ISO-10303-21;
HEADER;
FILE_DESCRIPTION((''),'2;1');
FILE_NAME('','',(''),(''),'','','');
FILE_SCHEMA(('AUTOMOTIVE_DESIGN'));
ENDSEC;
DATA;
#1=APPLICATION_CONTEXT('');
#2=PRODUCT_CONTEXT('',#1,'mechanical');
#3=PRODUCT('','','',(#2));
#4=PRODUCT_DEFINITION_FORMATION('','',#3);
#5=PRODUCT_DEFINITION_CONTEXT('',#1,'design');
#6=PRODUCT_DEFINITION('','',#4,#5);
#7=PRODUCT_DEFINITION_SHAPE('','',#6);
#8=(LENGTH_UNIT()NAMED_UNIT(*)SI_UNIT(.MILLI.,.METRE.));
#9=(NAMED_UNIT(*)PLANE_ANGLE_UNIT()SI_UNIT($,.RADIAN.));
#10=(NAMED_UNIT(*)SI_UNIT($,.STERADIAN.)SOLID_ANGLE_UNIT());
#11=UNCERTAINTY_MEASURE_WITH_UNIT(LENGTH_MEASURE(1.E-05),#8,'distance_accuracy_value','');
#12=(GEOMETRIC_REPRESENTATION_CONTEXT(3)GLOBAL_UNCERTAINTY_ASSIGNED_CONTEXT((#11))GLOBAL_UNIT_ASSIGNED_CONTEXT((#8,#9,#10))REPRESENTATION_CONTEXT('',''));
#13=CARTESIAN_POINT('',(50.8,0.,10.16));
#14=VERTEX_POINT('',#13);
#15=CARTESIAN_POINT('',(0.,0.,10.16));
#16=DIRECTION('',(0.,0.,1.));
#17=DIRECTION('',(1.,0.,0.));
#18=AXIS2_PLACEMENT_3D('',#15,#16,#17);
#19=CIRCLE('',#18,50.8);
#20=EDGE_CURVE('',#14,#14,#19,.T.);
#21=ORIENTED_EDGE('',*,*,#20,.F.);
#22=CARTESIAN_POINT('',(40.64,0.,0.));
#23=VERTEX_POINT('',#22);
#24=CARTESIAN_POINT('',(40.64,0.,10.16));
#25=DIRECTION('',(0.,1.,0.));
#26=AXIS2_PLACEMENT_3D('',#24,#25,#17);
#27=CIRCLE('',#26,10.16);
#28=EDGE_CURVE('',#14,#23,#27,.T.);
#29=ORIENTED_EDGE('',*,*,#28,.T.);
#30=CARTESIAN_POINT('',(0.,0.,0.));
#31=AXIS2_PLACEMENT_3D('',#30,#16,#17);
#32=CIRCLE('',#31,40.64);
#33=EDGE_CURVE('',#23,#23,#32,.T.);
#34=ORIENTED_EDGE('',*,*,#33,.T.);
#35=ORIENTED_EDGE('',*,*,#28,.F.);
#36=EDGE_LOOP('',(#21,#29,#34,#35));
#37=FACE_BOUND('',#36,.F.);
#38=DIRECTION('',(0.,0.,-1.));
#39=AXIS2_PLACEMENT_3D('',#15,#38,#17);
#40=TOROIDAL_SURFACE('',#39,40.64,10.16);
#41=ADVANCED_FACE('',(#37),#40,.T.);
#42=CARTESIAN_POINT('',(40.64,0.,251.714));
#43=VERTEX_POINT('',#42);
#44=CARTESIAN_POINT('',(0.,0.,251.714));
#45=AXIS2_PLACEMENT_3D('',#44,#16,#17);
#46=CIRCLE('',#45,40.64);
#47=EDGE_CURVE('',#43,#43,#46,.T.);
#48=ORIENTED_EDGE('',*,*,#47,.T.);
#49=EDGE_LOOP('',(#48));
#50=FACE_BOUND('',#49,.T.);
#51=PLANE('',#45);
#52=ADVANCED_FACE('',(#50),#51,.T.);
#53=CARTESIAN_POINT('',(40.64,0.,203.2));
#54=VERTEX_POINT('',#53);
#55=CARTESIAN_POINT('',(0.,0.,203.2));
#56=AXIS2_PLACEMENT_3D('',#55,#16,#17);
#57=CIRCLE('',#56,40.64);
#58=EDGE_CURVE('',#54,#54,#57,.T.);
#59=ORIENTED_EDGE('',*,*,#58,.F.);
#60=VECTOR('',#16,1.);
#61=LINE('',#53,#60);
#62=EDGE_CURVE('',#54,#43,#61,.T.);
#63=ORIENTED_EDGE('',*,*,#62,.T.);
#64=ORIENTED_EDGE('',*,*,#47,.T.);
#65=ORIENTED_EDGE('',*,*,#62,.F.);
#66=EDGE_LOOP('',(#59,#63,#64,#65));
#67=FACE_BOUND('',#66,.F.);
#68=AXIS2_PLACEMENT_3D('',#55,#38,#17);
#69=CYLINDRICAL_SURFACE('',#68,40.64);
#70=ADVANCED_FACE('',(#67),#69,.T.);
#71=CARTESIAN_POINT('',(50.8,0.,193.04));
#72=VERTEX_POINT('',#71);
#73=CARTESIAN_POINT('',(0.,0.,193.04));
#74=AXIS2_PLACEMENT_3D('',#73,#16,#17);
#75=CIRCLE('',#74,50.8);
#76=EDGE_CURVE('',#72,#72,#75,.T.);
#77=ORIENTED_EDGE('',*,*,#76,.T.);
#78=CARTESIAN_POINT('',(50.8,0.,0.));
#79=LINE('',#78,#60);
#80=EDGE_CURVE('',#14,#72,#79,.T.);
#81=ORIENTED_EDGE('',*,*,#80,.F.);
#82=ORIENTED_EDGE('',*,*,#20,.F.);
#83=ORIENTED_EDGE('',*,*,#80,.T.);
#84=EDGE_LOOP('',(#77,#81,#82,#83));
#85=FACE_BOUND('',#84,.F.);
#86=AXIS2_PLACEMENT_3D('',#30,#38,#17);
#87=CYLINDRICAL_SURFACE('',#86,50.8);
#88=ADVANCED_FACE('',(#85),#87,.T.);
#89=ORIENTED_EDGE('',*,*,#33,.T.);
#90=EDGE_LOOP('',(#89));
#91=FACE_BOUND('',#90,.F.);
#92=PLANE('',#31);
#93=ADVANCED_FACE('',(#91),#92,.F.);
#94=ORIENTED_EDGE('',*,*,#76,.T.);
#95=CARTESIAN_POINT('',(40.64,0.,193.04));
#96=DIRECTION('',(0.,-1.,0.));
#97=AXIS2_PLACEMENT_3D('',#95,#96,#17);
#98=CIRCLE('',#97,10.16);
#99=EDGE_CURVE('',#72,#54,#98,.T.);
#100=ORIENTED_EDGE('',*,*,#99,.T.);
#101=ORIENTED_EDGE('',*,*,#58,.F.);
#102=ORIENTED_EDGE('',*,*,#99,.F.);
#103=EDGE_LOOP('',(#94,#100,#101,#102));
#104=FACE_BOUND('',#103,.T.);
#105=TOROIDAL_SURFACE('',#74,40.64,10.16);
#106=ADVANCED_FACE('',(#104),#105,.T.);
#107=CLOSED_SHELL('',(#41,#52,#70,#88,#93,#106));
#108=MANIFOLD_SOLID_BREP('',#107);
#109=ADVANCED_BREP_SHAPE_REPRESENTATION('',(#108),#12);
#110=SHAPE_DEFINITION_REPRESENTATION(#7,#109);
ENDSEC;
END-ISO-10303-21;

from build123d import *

# Parameters (mm, degrees)
F0_R      = 50.8
F1_DEPTH  = 203.2
F2_R      = 10.16
F1_FACE_R = 40.64
F3_DEPTH  = 48.514


with BuildPart() as f1:
    # F0 (on Top) → F1 (new body)
    with BuildSketch(Plane.XY):
        Circle(F0_R)
    extrude(amount=F1_DEPTH)

    # F2
    f2_edges = [f1.edges().sort_by_distance(p)[0] for p in [
        (-50.8, 0, 0),
        (50.8, 0, 101.6),
        (-50.8, 0, 203.2),
    ]]
    fillet(f2_edges, radius=F2_R)

    # F1_face (on face) → F3 (join)
    with BuildSketch(Plane.XY.offset(203.2)):
        Circle(F1_FACE_R)
    extrude(amount=F3_DEPTH)


solid = f1.part
